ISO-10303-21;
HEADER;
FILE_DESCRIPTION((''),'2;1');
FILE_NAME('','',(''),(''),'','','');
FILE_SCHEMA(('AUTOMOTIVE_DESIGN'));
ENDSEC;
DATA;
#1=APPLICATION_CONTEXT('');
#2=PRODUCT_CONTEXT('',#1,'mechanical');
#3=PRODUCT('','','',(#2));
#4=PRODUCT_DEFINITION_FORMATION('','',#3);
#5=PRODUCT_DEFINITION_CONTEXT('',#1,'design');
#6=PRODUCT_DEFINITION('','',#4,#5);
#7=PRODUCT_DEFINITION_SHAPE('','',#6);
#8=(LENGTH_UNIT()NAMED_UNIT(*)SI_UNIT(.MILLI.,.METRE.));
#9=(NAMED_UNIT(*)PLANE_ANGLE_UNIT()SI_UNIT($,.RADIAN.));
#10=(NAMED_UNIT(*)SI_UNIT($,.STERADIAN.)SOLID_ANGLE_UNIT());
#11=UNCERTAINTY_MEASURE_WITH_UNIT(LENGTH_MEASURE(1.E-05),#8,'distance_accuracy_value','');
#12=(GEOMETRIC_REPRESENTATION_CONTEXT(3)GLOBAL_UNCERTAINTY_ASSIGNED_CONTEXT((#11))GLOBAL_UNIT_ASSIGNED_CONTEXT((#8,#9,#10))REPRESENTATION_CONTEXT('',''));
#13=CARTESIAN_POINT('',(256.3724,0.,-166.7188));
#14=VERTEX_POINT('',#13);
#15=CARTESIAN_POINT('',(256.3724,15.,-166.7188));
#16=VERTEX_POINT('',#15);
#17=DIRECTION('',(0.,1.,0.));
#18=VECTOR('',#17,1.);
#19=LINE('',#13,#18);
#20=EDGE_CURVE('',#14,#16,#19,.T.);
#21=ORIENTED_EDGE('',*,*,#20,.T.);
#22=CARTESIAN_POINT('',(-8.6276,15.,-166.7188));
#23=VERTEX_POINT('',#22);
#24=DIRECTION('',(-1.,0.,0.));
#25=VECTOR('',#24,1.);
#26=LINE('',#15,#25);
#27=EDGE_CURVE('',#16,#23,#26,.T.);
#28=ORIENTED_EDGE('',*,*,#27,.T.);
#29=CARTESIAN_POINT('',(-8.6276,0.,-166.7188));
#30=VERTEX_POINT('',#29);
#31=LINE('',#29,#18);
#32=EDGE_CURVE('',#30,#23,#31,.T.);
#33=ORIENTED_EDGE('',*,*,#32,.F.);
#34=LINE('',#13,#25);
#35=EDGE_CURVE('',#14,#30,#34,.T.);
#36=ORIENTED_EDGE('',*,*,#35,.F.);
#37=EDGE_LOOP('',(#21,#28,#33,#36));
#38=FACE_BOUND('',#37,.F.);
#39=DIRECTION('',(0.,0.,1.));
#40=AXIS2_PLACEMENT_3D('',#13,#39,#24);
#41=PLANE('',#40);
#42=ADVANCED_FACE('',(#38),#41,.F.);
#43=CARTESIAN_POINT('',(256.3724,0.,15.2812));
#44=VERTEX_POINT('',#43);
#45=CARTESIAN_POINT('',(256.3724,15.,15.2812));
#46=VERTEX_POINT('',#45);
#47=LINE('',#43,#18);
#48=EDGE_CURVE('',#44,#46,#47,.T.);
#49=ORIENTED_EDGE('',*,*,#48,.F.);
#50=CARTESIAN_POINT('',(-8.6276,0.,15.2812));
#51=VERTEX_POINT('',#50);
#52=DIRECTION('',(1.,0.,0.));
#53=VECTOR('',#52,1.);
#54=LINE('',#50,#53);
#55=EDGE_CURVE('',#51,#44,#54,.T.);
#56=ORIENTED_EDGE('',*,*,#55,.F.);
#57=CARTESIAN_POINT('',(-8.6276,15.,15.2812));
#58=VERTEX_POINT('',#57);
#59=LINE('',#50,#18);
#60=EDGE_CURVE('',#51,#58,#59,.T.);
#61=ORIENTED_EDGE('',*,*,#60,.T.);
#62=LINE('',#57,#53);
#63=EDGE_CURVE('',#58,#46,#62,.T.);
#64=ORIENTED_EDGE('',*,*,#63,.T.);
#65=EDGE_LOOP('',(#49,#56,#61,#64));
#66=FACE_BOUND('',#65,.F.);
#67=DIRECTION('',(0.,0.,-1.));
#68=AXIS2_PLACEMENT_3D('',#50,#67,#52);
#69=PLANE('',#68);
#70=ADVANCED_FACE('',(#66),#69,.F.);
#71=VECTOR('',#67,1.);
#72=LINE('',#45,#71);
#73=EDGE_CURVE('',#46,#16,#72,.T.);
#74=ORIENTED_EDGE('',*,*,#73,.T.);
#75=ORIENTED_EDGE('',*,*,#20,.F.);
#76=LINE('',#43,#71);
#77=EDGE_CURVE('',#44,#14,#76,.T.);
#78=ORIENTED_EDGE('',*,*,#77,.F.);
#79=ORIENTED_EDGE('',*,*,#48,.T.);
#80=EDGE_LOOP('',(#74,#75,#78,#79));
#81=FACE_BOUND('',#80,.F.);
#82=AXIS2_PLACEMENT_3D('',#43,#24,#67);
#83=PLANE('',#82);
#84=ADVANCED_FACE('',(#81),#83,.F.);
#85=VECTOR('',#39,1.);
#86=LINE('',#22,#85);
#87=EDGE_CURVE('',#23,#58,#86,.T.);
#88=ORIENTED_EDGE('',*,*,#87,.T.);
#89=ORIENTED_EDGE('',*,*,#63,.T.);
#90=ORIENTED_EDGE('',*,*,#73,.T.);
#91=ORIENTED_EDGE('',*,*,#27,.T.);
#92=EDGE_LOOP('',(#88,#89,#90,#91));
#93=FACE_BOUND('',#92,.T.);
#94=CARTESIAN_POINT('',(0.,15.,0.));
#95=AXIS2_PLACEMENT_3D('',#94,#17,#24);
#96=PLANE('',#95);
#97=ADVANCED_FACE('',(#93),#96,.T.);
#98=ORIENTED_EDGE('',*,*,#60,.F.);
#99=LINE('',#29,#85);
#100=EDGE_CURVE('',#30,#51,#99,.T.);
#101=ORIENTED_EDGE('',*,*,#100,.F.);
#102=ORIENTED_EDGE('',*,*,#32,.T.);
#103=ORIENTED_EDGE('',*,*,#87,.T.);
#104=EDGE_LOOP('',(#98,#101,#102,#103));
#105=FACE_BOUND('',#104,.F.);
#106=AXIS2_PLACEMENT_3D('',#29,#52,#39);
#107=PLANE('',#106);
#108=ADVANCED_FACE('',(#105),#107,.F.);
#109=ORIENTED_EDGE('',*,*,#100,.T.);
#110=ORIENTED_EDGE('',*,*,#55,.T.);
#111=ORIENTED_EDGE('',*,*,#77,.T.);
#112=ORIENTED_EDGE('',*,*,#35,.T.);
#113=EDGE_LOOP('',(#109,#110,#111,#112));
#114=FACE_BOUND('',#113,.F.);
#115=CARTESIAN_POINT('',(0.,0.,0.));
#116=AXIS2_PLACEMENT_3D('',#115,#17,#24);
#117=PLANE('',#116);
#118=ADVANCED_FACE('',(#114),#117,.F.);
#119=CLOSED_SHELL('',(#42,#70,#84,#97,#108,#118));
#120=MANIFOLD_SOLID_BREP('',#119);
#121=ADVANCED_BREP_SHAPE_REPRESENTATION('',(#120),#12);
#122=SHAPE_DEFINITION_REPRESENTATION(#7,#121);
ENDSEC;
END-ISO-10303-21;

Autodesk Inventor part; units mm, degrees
ref_plane "YZ Plane" through (0, 0, 0) normal (1, 0, 0) x (0, 1, 0)
ref_plane "XZ Plane" through (0, 0, 0) normal (0, 1, 0) x (-1, 0, 0)
ref_plane "XY Plane" through (0, 0, 0) normal (0, 0, 1) x (1, 0, 0)
sketch "Boceto1" plane through (0, 0, 0) normal (0, 1, 0) x (-1, 0, 0)
  line L0 (8.6276, 15.2812) -> (-256.3724, 15.2812)
  line L1 (-256.3724, 15.2812) -> (-256.3724, -166.7188)
  line L2 (-256.3724, -166.7188) -> (8.6276, -166.7188)
  line L3 (8.6276, -166.7188) -> (8.6276, 15.2812)
  point P0 (0, 0)
  dimension "d0" = 265
  dimension "d1" = 182
extrude "Extrusión1" add sketch "Boceto1" along normal blind 15
